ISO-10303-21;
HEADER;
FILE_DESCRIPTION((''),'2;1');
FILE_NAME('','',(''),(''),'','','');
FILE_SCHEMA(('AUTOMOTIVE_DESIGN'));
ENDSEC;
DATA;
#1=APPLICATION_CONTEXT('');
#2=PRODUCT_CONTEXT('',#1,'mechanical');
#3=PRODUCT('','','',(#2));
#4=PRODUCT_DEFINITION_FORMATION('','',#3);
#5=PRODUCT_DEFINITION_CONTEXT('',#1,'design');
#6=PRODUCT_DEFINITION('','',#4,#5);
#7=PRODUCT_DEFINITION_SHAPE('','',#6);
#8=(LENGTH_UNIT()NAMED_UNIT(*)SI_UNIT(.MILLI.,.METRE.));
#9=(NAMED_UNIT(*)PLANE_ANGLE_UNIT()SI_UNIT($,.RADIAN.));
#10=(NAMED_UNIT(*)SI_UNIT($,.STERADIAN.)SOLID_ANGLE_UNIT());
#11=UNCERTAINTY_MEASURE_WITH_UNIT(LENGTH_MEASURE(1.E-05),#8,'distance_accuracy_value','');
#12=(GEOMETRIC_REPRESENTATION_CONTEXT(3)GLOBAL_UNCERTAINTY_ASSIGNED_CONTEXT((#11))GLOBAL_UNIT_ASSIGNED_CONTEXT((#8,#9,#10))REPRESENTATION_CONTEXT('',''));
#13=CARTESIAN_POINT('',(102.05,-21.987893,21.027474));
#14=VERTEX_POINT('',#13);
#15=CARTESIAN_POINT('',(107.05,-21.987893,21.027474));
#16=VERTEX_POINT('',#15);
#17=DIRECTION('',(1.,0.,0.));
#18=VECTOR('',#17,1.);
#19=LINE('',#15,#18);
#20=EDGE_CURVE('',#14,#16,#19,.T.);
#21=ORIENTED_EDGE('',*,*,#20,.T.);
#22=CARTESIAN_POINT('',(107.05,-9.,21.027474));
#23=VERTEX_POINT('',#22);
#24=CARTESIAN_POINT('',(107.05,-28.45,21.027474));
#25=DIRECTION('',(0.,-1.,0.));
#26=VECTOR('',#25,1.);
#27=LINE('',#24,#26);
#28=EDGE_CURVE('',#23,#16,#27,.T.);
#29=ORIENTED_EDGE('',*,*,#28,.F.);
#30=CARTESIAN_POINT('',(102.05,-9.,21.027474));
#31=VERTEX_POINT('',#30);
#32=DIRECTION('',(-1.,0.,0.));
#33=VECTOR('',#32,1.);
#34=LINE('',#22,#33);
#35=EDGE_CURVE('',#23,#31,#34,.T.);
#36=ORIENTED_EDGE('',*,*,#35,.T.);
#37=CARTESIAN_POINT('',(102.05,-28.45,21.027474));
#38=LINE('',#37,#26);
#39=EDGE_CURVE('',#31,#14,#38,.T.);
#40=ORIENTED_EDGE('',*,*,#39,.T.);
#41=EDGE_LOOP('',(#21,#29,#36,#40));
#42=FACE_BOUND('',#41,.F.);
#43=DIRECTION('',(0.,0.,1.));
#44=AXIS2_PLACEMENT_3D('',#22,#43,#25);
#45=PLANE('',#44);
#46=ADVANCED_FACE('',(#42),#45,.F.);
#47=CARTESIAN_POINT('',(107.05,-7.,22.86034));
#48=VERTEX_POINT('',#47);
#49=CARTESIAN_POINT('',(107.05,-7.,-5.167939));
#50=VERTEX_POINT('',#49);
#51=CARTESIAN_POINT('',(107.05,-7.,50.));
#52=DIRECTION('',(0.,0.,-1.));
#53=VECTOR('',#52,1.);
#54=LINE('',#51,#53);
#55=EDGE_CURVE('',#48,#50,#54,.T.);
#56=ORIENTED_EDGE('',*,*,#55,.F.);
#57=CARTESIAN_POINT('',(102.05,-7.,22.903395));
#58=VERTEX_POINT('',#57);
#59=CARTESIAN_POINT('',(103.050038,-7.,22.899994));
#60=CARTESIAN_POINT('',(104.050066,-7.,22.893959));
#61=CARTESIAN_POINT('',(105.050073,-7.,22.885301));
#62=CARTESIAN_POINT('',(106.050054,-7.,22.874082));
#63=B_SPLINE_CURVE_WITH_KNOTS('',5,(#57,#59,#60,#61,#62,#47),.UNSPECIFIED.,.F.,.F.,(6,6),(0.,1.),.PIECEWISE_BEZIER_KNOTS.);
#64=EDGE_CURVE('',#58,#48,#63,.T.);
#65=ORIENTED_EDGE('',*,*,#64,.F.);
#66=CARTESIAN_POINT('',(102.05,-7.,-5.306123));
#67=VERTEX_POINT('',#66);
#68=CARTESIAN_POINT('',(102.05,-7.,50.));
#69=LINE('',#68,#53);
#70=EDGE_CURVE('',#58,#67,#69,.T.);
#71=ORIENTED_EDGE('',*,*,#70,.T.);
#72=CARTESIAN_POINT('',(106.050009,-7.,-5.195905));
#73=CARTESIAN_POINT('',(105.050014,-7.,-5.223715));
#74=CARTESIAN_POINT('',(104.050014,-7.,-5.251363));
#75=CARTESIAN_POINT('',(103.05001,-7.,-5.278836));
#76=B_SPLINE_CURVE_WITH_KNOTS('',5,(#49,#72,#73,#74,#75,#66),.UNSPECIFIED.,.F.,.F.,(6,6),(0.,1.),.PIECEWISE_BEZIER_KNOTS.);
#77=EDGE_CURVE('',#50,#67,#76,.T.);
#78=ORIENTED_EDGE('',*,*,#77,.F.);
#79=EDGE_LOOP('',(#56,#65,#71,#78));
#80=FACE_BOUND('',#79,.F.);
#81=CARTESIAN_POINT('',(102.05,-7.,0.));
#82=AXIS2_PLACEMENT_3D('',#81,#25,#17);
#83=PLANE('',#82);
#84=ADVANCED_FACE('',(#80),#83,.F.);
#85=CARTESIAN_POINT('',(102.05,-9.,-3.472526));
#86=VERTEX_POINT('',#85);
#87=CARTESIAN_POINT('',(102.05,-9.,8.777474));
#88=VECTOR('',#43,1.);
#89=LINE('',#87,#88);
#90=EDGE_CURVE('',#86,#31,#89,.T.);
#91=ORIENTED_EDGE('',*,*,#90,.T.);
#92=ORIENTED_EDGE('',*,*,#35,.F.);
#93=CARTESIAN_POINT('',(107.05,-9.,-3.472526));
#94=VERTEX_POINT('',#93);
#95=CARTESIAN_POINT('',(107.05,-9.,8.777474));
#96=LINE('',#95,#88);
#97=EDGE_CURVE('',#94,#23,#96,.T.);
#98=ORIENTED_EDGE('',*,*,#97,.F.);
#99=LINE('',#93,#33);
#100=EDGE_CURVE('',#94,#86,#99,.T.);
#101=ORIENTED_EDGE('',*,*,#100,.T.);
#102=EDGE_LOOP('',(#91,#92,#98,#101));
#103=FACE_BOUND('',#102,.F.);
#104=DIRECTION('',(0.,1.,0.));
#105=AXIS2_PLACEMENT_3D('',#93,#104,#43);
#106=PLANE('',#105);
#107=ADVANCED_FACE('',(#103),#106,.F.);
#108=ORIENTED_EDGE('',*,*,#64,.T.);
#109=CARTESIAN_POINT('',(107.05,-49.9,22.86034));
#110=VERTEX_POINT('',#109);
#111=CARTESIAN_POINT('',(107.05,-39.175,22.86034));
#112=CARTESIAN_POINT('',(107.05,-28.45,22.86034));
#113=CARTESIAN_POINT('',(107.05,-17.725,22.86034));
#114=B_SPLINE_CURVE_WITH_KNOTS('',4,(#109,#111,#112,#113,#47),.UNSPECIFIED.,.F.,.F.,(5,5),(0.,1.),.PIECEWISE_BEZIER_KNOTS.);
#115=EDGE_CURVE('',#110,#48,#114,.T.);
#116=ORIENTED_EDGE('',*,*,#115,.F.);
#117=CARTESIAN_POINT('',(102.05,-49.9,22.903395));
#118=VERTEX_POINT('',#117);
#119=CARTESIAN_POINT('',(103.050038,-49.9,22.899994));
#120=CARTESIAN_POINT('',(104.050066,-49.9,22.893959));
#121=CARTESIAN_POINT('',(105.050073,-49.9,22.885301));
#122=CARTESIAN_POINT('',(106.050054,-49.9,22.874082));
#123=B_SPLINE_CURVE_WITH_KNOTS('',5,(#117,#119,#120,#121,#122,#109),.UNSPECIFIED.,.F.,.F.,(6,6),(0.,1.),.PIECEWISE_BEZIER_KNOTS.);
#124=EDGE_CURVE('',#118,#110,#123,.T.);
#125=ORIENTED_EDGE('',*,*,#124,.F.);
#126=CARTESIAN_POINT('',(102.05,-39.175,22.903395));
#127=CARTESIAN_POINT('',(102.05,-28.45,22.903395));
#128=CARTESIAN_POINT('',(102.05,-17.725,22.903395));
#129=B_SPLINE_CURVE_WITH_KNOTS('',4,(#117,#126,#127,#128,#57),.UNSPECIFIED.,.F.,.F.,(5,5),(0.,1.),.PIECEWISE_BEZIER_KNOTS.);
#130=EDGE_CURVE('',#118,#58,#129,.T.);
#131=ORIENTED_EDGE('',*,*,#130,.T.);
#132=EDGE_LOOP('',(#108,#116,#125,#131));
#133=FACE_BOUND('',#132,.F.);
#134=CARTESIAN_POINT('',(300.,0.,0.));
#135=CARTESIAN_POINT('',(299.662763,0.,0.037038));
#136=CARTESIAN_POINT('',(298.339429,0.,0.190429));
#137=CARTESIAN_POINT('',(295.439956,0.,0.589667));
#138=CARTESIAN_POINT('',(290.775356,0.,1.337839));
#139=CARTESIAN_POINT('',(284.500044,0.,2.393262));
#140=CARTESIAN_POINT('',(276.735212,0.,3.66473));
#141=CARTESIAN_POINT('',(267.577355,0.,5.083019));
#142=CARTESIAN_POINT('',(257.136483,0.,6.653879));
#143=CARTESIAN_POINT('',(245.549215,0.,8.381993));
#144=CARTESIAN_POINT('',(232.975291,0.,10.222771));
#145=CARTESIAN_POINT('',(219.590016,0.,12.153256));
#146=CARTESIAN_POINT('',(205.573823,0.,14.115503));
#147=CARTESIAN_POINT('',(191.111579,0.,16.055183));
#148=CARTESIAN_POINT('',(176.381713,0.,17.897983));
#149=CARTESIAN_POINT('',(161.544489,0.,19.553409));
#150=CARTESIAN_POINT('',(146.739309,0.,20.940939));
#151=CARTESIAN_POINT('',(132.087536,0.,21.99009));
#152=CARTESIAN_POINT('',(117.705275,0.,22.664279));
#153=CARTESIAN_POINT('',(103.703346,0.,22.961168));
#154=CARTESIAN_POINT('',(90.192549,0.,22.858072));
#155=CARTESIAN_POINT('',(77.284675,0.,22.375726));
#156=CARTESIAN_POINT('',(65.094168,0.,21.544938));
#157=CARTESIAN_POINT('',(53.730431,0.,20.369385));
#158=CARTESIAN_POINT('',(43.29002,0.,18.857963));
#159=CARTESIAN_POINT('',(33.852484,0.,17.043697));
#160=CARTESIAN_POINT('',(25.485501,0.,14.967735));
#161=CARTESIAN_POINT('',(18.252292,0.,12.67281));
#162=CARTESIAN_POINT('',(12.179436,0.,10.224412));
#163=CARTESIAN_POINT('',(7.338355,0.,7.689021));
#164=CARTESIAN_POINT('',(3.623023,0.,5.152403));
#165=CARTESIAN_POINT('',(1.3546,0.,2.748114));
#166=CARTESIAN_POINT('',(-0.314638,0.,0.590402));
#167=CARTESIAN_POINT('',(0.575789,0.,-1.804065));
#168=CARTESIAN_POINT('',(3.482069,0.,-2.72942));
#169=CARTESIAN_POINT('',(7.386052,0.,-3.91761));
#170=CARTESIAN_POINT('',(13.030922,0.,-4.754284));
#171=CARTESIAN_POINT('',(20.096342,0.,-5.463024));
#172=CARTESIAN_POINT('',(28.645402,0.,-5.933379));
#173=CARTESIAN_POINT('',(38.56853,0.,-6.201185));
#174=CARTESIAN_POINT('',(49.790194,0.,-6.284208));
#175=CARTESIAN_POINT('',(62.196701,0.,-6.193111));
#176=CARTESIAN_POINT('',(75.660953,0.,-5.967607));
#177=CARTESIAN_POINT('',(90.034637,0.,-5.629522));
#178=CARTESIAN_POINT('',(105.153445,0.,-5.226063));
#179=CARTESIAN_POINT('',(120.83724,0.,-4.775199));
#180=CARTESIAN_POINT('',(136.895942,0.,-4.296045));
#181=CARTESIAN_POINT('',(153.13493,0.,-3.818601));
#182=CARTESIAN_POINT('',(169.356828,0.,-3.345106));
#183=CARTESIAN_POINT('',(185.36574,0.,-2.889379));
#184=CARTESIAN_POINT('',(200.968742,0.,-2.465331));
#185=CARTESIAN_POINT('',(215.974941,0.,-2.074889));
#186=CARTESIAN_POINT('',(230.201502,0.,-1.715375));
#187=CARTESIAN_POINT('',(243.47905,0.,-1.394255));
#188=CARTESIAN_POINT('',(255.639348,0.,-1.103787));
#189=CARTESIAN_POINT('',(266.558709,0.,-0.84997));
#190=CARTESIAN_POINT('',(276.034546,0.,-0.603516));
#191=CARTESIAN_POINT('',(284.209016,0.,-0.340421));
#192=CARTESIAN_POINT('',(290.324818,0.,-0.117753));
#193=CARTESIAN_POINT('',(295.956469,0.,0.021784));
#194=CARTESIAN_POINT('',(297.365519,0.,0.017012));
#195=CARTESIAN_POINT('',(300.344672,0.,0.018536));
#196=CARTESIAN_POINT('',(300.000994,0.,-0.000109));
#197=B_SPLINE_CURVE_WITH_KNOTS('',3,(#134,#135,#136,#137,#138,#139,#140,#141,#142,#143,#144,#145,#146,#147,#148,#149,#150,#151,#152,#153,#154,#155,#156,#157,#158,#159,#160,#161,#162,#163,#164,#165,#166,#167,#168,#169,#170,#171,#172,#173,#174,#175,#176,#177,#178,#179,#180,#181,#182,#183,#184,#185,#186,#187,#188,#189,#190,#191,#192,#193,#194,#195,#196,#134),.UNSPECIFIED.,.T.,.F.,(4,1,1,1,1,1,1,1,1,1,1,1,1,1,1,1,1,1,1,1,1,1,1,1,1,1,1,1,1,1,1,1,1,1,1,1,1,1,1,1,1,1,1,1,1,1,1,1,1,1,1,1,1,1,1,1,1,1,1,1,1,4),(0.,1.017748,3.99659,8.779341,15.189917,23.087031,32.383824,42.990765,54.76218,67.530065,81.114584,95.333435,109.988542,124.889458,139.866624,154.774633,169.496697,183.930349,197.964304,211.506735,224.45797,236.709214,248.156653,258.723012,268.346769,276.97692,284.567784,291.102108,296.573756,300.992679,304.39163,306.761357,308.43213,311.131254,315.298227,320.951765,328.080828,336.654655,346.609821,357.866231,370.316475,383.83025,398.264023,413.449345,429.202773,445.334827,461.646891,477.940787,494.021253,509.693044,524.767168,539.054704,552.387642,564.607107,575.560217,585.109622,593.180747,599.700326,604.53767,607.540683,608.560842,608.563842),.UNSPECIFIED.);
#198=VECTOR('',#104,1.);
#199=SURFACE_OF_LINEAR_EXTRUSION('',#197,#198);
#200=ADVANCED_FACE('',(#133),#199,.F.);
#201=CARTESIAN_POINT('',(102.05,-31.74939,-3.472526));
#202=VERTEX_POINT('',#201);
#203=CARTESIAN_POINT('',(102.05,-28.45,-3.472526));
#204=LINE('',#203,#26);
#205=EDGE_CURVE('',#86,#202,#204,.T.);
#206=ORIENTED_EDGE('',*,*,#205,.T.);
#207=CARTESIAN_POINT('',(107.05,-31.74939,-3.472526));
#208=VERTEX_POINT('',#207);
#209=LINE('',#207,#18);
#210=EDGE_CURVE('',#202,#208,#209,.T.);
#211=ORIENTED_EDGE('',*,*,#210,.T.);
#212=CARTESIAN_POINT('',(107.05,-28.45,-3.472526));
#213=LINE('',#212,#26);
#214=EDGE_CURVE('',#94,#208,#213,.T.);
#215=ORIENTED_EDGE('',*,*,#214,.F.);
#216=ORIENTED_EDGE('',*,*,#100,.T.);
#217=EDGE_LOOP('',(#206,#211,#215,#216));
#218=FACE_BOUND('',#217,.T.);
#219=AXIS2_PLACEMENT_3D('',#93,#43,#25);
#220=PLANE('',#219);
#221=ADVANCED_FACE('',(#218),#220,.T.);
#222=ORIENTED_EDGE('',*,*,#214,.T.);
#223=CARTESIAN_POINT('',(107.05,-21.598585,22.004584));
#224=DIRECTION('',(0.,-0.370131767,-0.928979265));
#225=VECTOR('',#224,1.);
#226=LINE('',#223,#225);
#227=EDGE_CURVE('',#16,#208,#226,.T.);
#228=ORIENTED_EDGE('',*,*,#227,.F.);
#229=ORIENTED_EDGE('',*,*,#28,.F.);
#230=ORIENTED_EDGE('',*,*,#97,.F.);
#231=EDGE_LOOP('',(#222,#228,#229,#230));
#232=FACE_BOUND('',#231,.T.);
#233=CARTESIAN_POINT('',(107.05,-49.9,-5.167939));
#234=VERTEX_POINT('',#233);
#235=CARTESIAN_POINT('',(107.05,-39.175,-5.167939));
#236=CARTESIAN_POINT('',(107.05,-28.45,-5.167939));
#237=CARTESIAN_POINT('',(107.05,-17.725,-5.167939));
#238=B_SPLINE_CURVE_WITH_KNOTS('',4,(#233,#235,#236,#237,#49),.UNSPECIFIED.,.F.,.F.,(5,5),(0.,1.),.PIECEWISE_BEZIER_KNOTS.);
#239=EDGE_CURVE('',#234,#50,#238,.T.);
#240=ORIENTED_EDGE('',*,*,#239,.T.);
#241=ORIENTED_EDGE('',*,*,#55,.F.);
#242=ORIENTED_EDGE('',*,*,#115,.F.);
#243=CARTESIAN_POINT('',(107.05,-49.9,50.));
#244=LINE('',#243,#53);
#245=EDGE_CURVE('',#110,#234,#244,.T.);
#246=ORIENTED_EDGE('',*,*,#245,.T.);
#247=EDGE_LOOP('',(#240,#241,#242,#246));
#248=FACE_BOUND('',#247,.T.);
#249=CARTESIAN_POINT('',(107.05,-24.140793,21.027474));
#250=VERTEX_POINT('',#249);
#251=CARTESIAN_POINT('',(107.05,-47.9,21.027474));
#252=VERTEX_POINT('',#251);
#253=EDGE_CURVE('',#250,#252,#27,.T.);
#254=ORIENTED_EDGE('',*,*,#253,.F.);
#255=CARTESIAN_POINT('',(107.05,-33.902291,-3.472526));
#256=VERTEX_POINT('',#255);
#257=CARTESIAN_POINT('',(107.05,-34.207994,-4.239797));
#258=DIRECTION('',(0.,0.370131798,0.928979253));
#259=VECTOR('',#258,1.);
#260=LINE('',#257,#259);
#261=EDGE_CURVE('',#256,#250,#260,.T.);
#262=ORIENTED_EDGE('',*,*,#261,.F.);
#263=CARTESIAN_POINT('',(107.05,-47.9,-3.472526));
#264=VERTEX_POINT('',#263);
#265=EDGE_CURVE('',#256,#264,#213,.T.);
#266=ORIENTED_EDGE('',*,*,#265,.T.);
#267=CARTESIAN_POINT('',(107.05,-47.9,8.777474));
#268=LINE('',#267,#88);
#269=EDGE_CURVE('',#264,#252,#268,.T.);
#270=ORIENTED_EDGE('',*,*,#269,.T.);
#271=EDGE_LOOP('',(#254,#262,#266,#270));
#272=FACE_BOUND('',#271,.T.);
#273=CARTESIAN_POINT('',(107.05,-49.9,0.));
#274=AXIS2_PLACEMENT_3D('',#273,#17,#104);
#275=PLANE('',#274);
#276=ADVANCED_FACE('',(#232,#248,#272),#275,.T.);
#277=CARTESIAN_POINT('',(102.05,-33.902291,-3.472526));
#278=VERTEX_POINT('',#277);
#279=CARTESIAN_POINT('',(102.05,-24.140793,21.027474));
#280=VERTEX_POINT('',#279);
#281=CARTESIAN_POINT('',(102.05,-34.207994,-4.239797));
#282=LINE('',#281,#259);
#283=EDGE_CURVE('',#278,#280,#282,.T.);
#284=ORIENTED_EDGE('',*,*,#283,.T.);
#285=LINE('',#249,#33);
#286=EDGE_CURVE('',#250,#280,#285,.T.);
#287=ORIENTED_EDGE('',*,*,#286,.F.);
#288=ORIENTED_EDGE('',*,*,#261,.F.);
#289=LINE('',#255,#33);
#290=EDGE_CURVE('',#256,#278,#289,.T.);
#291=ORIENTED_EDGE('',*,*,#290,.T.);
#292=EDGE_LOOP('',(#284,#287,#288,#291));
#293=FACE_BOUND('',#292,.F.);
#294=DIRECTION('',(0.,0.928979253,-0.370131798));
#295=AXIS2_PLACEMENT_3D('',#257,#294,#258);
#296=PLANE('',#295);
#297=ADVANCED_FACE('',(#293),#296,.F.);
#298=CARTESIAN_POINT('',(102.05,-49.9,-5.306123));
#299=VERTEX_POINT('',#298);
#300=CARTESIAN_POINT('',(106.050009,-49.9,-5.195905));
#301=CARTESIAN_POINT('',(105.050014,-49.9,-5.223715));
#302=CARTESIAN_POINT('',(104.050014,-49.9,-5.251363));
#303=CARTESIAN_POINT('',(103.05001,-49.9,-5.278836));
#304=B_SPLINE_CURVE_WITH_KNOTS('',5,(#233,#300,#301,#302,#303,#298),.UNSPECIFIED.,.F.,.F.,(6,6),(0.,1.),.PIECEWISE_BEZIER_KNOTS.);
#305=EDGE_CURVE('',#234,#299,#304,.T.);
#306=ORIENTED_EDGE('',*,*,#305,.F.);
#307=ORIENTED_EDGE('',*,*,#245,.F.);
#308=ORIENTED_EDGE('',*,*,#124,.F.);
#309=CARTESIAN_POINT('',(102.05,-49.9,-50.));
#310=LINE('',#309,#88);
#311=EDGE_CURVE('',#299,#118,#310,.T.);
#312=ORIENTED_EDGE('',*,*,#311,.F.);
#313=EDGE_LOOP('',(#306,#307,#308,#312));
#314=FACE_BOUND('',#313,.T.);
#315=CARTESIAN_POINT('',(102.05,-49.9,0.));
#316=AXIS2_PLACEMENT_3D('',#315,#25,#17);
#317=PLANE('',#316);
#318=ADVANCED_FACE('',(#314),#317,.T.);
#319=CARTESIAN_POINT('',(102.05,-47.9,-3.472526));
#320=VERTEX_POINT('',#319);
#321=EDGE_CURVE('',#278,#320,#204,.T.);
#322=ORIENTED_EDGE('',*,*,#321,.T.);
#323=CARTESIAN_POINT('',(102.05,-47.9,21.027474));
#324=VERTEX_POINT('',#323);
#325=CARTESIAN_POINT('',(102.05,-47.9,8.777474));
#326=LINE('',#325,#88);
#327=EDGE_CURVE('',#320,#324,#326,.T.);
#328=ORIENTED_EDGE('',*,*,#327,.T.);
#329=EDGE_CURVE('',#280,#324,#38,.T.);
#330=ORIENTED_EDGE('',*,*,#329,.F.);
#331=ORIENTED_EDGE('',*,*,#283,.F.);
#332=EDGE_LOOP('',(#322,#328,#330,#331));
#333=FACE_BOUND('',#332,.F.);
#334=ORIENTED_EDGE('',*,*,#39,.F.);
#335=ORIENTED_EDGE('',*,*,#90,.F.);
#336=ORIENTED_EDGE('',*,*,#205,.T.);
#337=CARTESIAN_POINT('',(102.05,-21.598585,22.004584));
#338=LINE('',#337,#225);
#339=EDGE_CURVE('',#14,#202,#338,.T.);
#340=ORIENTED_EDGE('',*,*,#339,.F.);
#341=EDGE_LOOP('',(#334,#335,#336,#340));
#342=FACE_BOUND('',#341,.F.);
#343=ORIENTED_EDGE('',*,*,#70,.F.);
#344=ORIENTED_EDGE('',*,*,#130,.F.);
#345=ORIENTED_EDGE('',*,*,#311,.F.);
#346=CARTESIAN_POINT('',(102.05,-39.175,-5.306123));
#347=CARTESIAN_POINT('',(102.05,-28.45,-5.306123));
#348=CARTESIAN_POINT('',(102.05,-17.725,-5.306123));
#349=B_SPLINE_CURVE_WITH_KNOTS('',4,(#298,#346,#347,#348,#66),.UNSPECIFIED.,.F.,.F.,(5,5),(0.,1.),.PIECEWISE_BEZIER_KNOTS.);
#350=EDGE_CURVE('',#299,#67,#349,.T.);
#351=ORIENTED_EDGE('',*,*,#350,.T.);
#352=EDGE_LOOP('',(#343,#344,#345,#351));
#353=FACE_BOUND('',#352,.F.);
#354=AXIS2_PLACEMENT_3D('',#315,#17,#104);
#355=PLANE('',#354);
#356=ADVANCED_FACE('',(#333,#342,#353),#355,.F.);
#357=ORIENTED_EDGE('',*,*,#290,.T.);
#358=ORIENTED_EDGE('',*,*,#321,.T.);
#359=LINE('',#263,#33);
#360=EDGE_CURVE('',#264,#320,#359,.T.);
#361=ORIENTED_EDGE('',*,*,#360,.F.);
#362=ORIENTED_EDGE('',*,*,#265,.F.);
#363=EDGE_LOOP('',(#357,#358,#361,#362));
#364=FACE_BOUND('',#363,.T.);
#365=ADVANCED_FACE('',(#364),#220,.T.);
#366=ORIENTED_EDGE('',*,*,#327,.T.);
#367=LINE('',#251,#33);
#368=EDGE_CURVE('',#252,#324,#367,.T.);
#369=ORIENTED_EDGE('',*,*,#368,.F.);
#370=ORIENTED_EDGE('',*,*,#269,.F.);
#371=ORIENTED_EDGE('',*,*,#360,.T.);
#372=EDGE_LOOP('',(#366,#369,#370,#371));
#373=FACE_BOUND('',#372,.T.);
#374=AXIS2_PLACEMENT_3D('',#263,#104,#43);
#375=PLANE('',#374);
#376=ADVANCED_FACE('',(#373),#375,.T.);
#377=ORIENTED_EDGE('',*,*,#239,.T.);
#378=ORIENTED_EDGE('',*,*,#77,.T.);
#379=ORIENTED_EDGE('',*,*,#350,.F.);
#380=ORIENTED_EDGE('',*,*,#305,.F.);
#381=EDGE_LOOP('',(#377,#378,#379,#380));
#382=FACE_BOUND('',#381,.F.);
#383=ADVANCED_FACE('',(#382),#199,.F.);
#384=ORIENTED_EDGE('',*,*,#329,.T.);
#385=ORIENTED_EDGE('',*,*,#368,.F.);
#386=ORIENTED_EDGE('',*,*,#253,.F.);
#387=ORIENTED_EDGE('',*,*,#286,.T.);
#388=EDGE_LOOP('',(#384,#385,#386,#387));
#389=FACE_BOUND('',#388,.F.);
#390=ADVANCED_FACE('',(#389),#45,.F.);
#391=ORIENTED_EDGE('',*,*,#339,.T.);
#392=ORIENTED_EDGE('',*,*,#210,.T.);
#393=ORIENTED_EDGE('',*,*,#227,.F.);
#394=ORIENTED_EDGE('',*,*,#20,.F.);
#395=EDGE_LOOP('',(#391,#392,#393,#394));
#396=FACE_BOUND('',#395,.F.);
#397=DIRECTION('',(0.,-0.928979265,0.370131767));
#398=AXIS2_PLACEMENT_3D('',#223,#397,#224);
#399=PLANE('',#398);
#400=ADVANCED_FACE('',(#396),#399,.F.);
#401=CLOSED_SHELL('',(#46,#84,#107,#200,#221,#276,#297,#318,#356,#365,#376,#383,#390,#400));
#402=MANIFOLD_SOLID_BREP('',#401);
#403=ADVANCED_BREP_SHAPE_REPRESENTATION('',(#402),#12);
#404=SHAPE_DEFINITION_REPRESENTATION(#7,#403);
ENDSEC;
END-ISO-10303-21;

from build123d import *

# Parameters (mm, degrees)
PAD003_DEPTH    = 975
SKETCH013_W     = 310
SKETCH013_H     = 1100
SKETCH013_W_2   = 5
SKETCH013_H_2   = 42.9
POCKET007_DEPTH = 50
SKETCH014_W     = 24.5
SKETCH014_H     = 38.9
POCKET008_DEPTH = 5
PAD004_DEPTH    = 5


with BuildPart() as part:
    # Sketch012 → Pad003 (new body)
    with BuildSketch(Plane.XZ):
        with BuildLine():
            add(Edge.make_bspline(
                [(300, 0), (299.662763, 0.037038), (298.339429, 0.190429), (295.439956, 0.589667), (290.775356, 1.337839), (284.500044, 2.393262), (276.735212, 3.66473), (267.577355, 5.083019), (257.136483, 6.653879), (245.549215, 8.381993), (232.975291, 10.222771), (219.590016, 12.153256), (205.573823, 14.115503), (191.111579, 16.055183), (176.381713, 17.897983), (161.544489, 19.553409), (146.739309, 20.940939), (132.087536, 21.99009), (117.705275, 22.664279), (103.703346, 22.961168), (90.192549, 22.858072), (77.284675, 22.375726), (65.094168, 21.544938), (53.730431, 20.369385), (43.29002, 18.857963), (33.852484, 17.043697), (25.485501, 14.967735), (18.252292, 12.67281), (12.179436, 10.224412), (7.338355, 7.689021), (3.623023, 5.152403), (1.3546, 2.748114), (-0.314638, 0.590402), (0.575789, -1.804065), (3.482069, -2.72942), (7.386052, -3.91761), (13.030922, -4.754284), (20.096342, -5.463024), (28.645402, -5.933379), (38.56853, -6.201185), (49.790194, -6.284208), (62.196701, -6.193111), (75.660953, -5.967607), (90.034637, -5.629522), (105.153445, -5.226063), (120.83724, -4.775199), (136.895942, -4.296045), (153.13493, -3.818601), (169.356828, -3.345106), (185.36574, -2.889379), (200.968742, -2.465331), (215.974941, -2.074889), (230.201502, -1.715375), (243.47905, -1.394255), (255.639348, -1.103787), (266.558709, -0.84997), (276.034546, -0.603516), (284.209016, -0.340421), (290.324818, -0.117753), (295.956469, 0.021784), (297.365519, 0.017012), (300.344672, 0.018536), (300.000994, -0.000109), (300, 0)],
                knots=[0, 0, 0, 0, 1.017748, 3.99659, 8.779341, 15.189917, 23.087031, 32.383824, 42.990765, 54.76218, 67.530065, 81.114584, 95.333435, 109.988542, 124.889458, 139.866624, 154.774633, 169.496697, 183.930349, 197.964304, 211.506735, 224.45797, 236.709214, 248.156653, 258.723012, 268.346769, 276.97692, 284.567784, 291.102108, 296.573756, 300.992679, 304.39163, 306.761357, 308.43213, 311.131254, 315.298227, 320.951765, 328.080828, 336.654655, 346.609821, 357.866231, 370.316475, 383.83025, 398.264023, 413.449345, 429.202773, 445.334827, 461.646891, 477.940787, 494.021253, 509.693044, 524.767168, 539.054704, 552.387642, 564.607107, 575.560217, 585.109622, 593.180747, 599.700326, 604.53767, 607.540683, 608.560842, 608.563842, 608.563842, 608.563842, 608.563842], degree=3))
        make_face()
    extrude(amount=PAD003_DEPTH)

    # Sketch013 → Pocket007 (cut, symmetric)
    with BuildSketch(Plane.XY):
        with Locations((155, -550)):
            Rectangle(SKETCH013_W, SKETCH013_H)
        with Locations((104.55, -28.45)):
            Rectangle(SKETCH013_W_2, SKETCH013_H_2, mode=Mode.SUBTRACT)
    extrude(amount=POCKET007_DEPTH, both=True, mode=Mode.SUBTRACT)

    # Sketch014 (on Face3 of Pocket007) → Pocket008 (cut)
    with BuildSketch(Plane(origin=(107.05, 0, 0), x_dir=(0, 0, 1), z_dir=(1, 0, 0))):
        with Locations((8.777474, 28.45)):
            Rectangle(SKETCH014_W, SKETCH014_H)
    extrude(amount=-POCKET008_DEPTH, mode=Mode.SUBTRACT)

    # Sketch015 (on Face3 of Pocket008) → Pad004 (join)
    with BuildSketch(Plane(origin=(107.05, 0, 0), x_dir=(0, 0, 1), z_dir=(1, 0, 0))):
        Polygon((-4.239797, 34.207994), (22.004584, 23.751485), (22.004584, 21.598585), (-4.239797, 32.055093), align=None)
    extrude(amount=-PAD004_DEPTH)


solid = part.part
